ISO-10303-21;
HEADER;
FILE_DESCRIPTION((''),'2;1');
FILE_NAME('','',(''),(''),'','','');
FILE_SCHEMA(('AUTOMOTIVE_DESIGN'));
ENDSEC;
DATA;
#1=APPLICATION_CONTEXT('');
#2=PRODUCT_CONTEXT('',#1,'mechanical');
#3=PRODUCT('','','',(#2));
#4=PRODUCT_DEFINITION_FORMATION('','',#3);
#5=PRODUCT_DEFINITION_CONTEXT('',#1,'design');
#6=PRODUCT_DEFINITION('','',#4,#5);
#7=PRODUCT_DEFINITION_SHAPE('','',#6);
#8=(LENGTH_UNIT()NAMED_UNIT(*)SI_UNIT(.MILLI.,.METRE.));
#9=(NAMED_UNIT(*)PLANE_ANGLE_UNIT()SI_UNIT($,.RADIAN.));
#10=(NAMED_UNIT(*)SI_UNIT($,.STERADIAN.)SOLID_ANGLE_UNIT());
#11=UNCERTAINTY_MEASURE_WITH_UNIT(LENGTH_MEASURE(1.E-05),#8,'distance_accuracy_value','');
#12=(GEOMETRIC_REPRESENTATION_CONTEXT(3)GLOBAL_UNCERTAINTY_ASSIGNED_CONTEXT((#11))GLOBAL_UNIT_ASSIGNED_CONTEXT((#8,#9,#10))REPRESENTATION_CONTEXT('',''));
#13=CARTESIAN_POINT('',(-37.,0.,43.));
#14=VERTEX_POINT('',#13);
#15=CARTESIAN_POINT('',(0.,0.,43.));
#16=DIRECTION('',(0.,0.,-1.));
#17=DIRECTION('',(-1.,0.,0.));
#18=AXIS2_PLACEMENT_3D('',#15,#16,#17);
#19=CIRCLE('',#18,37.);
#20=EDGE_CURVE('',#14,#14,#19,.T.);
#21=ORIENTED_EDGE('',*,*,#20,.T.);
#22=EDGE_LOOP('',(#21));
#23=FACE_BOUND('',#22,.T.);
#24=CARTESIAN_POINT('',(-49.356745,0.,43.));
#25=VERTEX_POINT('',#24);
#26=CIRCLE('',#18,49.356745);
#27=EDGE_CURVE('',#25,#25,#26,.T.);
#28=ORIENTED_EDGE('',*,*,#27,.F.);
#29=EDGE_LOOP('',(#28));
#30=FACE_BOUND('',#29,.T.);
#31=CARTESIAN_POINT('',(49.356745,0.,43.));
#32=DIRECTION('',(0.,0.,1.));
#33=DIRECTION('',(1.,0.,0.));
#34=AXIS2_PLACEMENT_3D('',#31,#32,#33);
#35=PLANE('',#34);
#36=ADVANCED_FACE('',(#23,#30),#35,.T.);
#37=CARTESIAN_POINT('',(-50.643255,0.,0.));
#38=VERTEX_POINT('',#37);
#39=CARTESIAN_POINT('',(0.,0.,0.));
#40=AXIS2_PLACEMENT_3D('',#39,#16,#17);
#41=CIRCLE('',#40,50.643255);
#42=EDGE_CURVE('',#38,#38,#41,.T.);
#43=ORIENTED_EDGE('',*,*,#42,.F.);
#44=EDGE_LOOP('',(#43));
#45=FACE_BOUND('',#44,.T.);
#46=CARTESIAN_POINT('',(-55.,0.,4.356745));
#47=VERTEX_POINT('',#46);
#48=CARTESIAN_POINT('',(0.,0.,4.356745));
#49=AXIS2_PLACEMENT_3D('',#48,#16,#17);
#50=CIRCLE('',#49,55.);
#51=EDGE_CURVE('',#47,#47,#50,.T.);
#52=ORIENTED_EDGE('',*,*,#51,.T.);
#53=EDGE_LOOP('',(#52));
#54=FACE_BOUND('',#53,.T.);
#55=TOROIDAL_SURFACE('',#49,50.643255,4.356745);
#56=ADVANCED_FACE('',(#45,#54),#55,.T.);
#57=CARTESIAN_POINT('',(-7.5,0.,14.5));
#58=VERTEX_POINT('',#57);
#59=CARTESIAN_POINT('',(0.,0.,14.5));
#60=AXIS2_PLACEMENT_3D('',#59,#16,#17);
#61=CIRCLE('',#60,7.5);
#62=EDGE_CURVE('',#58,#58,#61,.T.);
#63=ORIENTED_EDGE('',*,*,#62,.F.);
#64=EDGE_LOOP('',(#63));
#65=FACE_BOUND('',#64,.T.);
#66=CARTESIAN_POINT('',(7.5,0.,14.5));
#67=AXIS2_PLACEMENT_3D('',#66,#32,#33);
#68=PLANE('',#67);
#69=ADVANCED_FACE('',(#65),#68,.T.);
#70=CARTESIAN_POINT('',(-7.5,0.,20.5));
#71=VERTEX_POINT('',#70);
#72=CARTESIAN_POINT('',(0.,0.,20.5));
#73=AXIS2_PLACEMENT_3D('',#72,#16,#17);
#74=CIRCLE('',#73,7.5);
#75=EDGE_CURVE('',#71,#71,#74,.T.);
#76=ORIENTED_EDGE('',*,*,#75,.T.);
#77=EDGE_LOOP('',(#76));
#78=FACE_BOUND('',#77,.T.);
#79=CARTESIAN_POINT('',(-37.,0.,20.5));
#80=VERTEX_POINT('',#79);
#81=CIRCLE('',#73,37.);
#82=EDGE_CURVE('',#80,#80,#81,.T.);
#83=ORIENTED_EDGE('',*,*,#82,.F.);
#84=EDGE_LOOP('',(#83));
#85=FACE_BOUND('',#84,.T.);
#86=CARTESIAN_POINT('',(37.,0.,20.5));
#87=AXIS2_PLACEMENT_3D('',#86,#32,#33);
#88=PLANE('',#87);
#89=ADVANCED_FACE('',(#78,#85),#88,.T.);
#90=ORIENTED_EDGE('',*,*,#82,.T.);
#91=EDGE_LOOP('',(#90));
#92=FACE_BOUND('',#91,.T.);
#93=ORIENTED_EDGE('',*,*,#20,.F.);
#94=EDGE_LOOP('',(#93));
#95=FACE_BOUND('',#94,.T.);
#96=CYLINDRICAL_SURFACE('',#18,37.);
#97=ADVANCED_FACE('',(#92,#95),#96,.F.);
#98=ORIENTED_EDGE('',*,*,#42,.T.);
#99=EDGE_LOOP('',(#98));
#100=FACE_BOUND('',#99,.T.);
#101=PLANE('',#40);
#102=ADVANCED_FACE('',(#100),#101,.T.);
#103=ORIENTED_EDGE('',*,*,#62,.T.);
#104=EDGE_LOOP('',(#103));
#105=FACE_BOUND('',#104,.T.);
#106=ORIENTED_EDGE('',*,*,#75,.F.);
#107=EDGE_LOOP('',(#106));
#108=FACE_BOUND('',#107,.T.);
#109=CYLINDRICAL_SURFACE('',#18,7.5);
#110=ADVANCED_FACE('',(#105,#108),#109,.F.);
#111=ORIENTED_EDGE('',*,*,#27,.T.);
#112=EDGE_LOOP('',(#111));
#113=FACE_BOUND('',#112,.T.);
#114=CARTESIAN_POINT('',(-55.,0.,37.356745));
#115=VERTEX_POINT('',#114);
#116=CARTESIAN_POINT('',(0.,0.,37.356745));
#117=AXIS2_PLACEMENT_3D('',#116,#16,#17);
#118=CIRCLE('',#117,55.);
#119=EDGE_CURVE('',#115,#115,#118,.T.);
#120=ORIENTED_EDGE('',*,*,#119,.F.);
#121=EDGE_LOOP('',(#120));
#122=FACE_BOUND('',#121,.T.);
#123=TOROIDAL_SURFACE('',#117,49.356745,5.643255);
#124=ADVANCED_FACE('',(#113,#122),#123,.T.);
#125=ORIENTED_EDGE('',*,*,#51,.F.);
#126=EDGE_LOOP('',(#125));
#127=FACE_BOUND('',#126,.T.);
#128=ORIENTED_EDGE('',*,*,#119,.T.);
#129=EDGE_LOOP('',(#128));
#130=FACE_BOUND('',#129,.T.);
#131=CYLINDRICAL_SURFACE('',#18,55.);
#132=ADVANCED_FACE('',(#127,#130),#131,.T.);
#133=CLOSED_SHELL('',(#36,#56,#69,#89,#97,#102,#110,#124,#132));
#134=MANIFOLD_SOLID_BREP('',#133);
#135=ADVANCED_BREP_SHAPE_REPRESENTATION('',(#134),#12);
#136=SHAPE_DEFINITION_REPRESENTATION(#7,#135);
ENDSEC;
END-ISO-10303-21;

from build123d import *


with BuildPart() as part:
    # Sketch1 → Revolve1 (revolve)
    with BuildSketch(Plane.XZ, mode=Mode.PRIVATE) as revolve1_sk:
        with BuildLine():
            Line((7.5, 14.5), (0, 14.5))
            Line((0, 14.5), (0, 0))
            Line((0, 0), (50.64325479, 0))
            ThreePointArc((50.64325479, 0), (53.723938872, 1.276061128), (55, 4.35674521))
            Line((55, 4.35674521), (55, 37.35674521))
            ThreePointArc((55, 37.35674521), (53.34712894, 41.34712894), (49.35674521, 43))
            Line((49.35674521, 43), (37, 43))
            Line((37, 43), (37, 20.5))
            Line((37, 20.5), (7.5, 20.5))
            Line((7.5, 20.5), (7.5, 14.5))
        make_face()
    revolve(revolve1_sk.sketch.rotate(Axis((0, 0, 43), (0, 0, -1)), 180), axis=Axis((0, 0, 43), (0, 0, -1)))


solid = part.part
